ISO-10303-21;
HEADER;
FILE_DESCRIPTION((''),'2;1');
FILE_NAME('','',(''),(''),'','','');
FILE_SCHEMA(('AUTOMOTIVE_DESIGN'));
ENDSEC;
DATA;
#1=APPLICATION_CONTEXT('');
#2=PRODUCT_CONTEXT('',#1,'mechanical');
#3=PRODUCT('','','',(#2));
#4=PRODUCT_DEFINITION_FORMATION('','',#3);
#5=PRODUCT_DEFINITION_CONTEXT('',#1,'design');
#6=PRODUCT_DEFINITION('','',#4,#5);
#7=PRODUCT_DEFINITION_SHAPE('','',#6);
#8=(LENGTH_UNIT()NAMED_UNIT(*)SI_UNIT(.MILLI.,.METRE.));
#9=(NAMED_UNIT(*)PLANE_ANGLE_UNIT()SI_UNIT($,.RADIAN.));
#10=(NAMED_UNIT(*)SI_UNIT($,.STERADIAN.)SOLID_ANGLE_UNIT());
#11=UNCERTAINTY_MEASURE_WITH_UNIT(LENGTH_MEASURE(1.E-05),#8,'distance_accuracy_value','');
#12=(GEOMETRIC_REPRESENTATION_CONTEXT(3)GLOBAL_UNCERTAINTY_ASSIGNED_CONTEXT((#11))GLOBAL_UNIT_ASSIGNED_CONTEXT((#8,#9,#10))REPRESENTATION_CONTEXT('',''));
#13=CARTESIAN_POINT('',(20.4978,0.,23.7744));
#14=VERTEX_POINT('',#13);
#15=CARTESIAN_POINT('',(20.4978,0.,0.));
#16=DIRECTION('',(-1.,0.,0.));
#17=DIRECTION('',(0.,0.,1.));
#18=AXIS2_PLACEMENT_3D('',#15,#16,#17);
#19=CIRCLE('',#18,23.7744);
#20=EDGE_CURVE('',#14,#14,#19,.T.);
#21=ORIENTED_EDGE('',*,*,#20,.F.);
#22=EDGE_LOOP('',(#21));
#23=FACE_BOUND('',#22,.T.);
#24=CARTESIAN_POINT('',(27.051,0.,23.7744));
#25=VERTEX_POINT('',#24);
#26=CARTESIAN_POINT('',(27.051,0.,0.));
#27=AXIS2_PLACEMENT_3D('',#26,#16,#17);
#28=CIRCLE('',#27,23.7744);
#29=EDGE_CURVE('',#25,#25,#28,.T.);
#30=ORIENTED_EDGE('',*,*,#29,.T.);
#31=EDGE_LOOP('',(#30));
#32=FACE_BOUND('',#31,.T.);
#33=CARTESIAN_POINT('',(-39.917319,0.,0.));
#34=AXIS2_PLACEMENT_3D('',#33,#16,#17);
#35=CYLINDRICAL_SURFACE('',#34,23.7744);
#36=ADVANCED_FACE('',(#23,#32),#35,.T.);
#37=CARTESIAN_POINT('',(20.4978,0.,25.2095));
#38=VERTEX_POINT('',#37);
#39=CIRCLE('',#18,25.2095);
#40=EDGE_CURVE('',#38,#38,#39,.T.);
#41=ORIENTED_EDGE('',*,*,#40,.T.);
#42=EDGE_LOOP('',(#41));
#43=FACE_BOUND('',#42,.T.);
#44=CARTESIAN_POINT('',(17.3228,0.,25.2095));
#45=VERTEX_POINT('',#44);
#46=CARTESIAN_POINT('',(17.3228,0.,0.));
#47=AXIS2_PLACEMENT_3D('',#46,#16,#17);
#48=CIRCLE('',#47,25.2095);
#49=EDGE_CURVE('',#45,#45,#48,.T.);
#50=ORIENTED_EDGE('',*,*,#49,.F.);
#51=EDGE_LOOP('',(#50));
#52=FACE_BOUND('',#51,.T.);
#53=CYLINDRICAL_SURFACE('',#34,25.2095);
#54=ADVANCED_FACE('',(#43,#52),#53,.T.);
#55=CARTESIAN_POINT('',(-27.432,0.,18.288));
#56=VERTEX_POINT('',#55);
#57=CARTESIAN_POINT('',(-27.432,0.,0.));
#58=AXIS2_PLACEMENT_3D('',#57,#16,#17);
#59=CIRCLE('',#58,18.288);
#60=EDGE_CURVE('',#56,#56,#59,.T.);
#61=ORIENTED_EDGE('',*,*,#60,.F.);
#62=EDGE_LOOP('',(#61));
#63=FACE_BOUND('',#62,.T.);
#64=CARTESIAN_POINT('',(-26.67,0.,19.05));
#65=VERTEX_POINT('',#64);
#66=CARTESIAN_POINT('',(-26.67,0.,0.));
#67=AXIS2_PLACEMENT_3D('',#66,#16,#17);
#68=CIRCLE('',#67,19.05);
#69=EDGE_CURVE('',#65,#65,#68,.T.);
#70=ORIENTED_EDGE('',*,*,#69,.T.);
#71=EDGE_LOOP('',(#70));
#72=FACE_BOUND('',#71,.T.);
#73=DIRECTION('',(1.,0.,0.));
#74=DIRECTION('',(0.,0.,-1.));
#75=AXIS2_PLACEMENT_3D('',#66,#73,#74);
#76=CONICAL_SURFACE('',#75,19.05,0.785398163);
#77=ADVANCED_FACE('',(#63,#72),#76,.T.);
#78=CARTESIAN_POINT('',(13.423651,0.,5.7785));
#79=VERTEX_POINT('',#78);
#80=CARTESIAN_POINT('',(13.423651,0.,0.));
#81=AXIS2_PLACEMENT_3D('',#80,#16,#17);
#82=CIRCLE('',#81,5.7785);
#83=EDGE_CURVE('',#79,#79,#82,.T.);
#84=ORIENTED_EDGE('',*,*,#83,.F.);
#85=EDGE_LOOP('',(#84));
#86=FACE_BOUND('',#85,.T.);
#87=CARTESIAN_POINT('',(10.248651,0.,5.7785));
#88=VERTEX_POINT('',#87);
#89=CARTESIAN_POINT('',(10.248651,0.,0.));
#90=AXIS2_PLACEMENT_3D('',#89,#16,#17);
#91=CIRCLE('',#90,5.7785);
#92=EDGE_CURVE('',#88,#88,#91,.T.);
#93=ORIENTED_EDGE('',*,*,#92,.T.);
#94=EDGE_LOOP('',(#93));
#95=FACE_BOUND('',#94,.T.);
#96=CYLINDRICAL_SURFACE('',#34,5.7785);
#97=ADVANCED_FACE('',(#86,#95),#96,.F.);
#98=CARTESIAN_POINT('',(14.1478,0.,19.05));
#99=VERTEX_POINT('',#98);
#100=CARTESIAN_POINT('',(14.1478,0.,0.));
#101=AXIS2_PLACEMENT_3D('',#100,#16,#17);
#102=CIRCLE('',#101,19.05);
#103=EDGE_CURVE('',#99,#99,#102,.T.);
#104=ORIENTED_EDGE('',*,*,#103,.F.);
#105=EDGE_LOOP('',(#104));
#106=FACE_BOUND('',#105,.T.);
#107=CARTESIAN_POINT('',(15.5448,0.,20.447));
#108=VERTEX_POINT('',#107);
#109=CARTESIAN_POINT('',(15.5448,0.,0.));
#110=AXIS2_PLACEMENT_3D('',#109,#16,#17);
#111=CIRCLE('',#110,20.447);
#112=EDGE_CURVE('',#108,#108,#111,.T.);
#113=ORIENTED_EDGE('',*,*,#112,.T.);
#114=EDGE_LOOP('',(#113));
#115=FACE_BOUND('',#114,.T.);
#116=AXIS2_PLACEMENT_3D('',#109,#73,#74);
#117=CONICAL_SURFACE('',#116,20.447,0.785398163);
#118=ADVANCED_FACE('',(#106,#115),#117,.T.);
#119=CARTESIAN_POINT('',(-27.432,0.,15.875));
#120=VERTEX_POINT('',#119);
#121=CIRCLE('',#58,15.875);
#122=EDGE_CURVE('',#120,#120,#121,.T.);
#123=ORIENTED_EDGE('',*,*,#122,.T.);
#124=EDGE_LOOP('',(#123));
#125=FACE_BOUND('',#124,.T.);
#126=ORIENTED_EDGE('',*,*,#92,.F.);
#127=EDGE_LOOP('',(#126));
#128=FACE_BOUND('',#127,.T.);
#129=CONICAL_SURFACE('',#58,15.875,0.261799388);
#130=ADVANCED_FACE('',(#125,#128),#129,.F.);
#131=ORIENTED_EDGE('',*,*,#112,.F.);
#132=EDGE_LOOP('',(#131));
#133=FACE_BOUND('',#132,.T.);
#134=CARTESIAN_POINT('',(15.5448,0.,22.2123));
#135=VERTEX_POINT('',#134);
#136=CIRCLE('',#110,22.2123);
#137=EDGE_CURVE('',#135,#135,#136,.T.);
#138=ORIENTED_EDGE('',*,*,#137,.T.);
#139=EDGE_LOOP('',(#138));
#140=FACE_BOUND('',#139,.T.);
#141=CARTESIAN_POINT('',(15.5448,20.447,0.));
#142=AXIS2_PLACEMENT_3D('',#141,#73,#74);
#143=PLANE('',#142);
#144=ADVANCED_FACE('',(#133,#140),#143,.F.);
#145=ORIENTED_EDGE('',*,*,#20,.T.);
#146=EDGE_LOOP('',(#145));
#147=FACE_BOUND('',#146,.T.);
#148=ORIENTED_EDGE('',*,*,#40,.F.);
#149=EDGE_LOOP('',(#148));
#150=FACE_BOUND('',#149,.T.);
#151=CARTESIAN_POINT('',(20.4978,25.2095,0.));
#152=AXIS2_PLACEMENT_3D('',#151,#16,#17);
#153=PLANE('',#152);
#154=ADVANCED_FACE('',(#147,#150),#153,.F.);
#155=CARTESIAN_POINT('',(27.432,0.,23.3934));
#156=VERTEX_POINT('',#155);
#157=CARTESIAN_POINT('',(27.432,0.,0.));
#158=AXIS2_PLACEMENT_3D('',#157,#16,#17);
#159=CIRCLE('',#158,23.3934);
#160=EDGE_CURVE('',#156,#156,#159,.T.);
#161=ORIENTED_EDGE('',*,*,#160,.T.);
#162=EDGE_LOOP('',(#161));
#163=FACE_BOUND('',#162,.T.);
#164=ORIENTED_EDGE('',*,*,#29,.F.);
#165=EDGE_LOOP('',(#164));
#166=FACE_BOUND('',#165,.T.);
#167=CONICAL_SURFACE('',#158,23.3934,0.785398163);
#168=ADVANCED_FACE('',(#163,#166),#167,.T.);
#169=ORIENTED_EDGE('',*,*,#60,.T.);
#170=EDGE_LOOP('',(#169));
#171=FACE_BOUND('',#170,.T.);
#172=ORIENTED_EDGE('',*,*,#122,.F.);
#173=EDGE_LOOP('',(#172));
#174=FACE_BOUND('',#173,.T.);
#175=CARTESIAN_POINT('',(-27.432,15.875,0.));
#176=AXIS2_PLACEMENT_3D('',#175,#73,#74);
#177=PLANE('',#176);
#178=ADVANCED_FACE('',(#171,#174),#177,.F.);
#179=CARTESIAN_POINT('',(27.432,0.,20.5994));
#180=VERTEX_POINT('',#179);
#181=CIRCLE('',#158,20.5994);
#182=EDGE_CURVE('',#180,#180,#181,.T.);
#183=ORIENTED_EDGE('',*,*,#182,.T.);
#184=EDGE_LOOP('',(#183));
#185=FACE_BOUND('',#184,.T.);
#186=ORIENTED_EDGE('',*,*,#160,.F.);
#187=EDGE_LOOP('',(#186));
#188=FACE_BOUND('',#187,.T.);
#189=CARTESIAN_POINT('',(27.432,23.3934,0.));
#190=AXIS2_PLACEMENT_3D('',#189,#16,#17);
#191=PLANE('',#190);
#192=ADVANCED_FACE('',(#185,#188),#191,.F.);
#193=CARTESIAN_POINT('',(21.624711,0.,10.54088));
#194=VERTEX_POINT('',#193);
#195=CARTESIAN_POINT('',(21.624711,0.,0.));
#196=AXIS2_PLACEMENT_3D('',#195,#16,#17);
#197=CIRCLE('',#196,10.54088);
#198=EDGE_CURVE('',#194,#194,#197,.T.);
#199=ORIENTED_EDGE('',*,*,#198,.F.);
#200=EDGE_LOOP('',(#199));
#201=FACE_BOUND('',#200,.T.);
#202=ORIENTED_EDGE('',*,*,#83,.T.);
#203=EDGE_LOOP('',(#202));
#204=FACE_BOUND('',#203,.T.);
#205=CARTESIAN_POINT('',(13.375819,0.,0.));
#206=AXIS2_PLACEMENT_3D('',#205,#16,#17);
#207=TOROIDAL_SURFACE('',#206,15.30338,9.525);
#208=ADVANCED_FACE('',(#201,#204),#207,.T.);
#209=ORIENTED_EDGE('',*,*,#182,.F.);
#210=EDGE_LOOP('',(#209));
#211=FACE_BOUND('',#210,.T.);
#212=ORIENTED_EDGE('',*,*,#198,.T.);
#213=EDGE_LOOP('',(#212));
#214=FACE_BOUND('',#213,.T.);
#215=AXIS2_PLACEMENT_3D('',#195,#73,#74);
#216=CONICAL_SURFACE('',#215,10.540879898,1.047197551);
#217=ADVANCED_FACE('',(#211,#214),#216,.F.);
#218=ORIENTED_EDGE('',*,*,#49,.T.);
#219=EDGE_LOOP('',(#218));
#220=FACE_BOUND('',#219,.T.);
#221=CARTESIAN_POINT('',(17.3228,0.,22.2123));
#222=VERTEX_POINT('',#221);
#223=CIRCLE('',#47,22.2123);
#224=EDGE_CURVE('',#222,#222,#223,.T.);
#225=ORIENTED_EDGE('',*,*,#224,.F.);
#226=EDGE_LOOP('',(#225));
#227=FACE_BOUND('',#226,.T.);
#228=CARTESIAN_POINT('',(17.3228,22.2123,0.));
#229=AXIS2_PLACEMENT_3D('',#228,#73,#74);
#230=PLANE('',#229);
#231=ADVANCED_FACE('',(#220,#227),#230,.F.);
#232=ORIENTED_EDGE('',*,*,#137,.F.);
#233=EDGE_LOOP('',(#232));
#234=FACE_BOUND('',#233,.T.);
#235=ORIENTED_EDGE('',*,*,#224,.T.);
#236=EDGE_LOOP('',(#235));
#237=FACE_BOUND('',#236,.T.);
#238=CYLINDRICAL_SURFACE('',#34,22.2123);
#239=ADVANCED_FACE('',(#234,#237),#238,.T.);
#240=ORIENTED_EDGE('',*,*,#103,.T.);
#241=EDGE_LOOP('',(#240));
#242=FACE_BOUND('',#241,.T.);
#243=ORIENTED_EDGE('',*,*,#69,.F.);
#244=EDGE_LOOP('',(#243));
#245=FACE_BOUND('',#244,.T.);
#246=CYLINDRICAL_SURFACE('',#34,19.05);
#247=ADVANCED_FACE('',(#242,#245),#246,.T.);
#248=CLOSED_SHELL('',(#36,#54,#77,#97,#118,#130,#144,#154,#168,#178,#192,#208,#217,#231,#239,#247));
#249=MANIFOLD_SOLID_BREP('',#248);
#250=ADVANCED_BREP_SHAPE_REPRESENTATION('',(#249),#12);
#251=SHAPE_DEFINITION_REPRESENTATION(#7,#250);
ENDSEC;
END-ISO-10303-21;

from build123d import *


with BuildPart() as part:
    # Sketch1 → Revolve1 (revolve)
    with BuildSketch(Plane.XY, mode=Mode.PRIVATE) as revolve1_sk:
        with BuildLine():
            Line((-27.432, 15.875), (10.248650979, 5.7785))
            Line((10.248650979, 5.7785), (13.423650979, 5.7785))
            ThreePointArc((13.423650979, 5.7785), (18.15901576, 7.066472027), (21.624710712, 10.540879898))
            Line((21.624710712, 10.540879898), (27.432, 20.5994))
            Line((27.432, 20.5994), (27.432, 23.3934))
            Line((27.432, 23.3934), (27.051, 23.7744))
            Line((27.051, 23.7744), (20.4978, 23.7744))
            Line((20.4978, 23.7744), (20.4978, 25.2095))
            Line((20.4978, 25.2095), (17.3228, 25.2095))
            Line((17.3228, 25.2095), (17.3228, 22.2123))
            Line((17.3228, 22.2123), (15.5448, 22.2123))
            Line((15.5448, 22.2123), (15.5448, 20.447))
            Line((15.5448, 20.447), (14.1478, 19.05))
            Line((14.1478, 19.05), (-26.67, 19.05))
            Line((-26.67, 19.05), (-27.432, 18.288))
            Line((-27.432, 18.288), (-27.432, 15.875))
        make_face()
    revolve(revolve1_sk.sketch.rotate(Axis((-39.917319276, 0, 0), (1, 0, 0)), 90), axis=Axis((-39.917319276, 0, 0), (1, 0, 0)))


solid = part.part
